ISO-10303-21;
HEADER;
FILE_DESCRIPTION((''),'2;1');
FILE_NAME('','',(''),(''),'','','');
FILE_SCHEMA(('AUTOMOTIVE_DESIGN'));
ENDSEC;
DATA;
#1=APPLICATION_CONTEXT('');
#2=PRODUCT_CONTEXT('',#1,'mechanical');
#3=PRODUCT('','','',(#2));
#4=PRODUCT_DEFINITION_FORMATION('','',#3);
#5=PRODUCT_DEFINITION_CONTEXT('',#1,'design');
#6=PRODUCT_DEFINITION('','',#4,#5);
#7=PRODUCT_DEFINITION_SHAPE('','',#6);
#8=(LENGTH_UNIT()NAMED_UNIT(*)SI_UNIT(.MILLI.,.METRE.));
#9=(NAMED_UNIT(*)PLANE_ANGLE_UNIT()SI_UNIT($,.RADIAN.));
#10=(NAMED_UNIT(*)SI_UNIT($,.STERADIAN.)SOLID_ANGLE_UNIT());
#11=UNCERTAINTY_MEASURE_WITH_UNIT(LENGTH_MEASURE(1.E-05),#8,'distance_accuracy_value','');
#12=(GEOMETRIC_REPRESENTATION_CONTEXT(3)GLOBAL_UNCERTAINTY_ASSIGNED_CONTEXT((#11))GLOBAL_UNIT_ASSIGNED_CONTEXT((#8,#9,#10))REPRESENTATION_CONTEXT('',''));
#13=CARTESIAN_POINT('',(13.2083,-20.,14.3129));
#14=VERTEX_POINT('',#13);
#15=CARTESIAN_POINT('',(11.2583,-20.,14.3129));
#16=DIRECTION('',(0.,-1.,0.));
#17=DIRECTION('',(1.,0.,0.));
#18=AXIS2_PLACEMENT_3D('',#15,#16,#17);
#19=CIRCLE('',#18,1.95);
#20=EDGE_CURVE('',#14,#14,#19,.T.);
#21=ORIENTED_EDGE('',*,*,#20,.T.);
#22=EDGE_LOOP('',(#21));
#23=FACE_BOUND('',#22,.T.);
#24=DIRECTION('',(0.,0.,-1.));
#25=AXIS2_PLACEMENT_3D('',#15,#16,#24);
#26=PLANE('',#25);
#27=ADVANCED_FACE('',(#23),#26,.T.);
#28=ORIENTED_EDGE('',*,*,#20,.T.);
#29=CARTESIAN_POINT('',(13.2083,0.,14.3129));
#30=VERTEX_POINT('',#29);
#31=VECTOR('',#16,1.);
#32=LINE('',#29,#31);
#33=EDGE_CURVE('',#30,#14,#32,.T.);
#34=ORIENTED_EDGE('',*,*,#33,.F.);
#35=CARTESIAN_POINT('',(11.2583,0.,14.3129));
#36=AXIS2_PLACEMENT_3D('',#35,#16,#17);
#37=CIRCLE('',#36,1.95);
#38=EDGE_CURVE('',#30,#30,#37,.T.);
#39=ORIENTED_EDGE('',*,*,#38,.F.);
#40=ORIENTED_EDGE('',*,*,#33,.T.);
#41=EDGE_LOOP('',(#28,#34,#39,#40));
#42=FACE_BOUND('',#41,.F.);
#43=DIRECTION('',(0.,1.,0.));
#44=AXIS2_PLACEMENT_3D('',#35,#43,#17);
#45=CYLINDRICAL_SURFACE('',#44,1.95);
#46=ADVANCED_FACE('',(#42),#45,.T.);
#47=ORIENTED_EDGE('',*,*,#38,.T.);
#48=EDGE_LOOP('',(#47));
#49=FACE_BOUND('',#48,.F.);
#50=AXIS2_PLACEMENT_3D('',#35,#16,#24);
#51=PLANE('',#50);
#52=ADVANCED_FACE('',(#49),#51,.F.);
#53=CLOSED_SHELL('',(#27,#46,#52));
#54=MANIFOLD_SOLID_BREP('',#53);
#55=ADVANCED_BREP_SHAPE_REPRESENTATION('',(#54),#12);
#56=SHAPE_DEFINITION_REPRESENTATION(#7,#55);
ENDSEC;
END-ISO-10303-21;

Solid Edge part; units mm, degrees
sketch "Sketch1" plane through (0, 0, 0) normal (0, -1, 0) x (1, 0, 0)
  circle A0 centre (11.2583, 14.3129) radius 1.95
extrude "Protrusion1" add sketch "Sketch1" along normal blind 20
